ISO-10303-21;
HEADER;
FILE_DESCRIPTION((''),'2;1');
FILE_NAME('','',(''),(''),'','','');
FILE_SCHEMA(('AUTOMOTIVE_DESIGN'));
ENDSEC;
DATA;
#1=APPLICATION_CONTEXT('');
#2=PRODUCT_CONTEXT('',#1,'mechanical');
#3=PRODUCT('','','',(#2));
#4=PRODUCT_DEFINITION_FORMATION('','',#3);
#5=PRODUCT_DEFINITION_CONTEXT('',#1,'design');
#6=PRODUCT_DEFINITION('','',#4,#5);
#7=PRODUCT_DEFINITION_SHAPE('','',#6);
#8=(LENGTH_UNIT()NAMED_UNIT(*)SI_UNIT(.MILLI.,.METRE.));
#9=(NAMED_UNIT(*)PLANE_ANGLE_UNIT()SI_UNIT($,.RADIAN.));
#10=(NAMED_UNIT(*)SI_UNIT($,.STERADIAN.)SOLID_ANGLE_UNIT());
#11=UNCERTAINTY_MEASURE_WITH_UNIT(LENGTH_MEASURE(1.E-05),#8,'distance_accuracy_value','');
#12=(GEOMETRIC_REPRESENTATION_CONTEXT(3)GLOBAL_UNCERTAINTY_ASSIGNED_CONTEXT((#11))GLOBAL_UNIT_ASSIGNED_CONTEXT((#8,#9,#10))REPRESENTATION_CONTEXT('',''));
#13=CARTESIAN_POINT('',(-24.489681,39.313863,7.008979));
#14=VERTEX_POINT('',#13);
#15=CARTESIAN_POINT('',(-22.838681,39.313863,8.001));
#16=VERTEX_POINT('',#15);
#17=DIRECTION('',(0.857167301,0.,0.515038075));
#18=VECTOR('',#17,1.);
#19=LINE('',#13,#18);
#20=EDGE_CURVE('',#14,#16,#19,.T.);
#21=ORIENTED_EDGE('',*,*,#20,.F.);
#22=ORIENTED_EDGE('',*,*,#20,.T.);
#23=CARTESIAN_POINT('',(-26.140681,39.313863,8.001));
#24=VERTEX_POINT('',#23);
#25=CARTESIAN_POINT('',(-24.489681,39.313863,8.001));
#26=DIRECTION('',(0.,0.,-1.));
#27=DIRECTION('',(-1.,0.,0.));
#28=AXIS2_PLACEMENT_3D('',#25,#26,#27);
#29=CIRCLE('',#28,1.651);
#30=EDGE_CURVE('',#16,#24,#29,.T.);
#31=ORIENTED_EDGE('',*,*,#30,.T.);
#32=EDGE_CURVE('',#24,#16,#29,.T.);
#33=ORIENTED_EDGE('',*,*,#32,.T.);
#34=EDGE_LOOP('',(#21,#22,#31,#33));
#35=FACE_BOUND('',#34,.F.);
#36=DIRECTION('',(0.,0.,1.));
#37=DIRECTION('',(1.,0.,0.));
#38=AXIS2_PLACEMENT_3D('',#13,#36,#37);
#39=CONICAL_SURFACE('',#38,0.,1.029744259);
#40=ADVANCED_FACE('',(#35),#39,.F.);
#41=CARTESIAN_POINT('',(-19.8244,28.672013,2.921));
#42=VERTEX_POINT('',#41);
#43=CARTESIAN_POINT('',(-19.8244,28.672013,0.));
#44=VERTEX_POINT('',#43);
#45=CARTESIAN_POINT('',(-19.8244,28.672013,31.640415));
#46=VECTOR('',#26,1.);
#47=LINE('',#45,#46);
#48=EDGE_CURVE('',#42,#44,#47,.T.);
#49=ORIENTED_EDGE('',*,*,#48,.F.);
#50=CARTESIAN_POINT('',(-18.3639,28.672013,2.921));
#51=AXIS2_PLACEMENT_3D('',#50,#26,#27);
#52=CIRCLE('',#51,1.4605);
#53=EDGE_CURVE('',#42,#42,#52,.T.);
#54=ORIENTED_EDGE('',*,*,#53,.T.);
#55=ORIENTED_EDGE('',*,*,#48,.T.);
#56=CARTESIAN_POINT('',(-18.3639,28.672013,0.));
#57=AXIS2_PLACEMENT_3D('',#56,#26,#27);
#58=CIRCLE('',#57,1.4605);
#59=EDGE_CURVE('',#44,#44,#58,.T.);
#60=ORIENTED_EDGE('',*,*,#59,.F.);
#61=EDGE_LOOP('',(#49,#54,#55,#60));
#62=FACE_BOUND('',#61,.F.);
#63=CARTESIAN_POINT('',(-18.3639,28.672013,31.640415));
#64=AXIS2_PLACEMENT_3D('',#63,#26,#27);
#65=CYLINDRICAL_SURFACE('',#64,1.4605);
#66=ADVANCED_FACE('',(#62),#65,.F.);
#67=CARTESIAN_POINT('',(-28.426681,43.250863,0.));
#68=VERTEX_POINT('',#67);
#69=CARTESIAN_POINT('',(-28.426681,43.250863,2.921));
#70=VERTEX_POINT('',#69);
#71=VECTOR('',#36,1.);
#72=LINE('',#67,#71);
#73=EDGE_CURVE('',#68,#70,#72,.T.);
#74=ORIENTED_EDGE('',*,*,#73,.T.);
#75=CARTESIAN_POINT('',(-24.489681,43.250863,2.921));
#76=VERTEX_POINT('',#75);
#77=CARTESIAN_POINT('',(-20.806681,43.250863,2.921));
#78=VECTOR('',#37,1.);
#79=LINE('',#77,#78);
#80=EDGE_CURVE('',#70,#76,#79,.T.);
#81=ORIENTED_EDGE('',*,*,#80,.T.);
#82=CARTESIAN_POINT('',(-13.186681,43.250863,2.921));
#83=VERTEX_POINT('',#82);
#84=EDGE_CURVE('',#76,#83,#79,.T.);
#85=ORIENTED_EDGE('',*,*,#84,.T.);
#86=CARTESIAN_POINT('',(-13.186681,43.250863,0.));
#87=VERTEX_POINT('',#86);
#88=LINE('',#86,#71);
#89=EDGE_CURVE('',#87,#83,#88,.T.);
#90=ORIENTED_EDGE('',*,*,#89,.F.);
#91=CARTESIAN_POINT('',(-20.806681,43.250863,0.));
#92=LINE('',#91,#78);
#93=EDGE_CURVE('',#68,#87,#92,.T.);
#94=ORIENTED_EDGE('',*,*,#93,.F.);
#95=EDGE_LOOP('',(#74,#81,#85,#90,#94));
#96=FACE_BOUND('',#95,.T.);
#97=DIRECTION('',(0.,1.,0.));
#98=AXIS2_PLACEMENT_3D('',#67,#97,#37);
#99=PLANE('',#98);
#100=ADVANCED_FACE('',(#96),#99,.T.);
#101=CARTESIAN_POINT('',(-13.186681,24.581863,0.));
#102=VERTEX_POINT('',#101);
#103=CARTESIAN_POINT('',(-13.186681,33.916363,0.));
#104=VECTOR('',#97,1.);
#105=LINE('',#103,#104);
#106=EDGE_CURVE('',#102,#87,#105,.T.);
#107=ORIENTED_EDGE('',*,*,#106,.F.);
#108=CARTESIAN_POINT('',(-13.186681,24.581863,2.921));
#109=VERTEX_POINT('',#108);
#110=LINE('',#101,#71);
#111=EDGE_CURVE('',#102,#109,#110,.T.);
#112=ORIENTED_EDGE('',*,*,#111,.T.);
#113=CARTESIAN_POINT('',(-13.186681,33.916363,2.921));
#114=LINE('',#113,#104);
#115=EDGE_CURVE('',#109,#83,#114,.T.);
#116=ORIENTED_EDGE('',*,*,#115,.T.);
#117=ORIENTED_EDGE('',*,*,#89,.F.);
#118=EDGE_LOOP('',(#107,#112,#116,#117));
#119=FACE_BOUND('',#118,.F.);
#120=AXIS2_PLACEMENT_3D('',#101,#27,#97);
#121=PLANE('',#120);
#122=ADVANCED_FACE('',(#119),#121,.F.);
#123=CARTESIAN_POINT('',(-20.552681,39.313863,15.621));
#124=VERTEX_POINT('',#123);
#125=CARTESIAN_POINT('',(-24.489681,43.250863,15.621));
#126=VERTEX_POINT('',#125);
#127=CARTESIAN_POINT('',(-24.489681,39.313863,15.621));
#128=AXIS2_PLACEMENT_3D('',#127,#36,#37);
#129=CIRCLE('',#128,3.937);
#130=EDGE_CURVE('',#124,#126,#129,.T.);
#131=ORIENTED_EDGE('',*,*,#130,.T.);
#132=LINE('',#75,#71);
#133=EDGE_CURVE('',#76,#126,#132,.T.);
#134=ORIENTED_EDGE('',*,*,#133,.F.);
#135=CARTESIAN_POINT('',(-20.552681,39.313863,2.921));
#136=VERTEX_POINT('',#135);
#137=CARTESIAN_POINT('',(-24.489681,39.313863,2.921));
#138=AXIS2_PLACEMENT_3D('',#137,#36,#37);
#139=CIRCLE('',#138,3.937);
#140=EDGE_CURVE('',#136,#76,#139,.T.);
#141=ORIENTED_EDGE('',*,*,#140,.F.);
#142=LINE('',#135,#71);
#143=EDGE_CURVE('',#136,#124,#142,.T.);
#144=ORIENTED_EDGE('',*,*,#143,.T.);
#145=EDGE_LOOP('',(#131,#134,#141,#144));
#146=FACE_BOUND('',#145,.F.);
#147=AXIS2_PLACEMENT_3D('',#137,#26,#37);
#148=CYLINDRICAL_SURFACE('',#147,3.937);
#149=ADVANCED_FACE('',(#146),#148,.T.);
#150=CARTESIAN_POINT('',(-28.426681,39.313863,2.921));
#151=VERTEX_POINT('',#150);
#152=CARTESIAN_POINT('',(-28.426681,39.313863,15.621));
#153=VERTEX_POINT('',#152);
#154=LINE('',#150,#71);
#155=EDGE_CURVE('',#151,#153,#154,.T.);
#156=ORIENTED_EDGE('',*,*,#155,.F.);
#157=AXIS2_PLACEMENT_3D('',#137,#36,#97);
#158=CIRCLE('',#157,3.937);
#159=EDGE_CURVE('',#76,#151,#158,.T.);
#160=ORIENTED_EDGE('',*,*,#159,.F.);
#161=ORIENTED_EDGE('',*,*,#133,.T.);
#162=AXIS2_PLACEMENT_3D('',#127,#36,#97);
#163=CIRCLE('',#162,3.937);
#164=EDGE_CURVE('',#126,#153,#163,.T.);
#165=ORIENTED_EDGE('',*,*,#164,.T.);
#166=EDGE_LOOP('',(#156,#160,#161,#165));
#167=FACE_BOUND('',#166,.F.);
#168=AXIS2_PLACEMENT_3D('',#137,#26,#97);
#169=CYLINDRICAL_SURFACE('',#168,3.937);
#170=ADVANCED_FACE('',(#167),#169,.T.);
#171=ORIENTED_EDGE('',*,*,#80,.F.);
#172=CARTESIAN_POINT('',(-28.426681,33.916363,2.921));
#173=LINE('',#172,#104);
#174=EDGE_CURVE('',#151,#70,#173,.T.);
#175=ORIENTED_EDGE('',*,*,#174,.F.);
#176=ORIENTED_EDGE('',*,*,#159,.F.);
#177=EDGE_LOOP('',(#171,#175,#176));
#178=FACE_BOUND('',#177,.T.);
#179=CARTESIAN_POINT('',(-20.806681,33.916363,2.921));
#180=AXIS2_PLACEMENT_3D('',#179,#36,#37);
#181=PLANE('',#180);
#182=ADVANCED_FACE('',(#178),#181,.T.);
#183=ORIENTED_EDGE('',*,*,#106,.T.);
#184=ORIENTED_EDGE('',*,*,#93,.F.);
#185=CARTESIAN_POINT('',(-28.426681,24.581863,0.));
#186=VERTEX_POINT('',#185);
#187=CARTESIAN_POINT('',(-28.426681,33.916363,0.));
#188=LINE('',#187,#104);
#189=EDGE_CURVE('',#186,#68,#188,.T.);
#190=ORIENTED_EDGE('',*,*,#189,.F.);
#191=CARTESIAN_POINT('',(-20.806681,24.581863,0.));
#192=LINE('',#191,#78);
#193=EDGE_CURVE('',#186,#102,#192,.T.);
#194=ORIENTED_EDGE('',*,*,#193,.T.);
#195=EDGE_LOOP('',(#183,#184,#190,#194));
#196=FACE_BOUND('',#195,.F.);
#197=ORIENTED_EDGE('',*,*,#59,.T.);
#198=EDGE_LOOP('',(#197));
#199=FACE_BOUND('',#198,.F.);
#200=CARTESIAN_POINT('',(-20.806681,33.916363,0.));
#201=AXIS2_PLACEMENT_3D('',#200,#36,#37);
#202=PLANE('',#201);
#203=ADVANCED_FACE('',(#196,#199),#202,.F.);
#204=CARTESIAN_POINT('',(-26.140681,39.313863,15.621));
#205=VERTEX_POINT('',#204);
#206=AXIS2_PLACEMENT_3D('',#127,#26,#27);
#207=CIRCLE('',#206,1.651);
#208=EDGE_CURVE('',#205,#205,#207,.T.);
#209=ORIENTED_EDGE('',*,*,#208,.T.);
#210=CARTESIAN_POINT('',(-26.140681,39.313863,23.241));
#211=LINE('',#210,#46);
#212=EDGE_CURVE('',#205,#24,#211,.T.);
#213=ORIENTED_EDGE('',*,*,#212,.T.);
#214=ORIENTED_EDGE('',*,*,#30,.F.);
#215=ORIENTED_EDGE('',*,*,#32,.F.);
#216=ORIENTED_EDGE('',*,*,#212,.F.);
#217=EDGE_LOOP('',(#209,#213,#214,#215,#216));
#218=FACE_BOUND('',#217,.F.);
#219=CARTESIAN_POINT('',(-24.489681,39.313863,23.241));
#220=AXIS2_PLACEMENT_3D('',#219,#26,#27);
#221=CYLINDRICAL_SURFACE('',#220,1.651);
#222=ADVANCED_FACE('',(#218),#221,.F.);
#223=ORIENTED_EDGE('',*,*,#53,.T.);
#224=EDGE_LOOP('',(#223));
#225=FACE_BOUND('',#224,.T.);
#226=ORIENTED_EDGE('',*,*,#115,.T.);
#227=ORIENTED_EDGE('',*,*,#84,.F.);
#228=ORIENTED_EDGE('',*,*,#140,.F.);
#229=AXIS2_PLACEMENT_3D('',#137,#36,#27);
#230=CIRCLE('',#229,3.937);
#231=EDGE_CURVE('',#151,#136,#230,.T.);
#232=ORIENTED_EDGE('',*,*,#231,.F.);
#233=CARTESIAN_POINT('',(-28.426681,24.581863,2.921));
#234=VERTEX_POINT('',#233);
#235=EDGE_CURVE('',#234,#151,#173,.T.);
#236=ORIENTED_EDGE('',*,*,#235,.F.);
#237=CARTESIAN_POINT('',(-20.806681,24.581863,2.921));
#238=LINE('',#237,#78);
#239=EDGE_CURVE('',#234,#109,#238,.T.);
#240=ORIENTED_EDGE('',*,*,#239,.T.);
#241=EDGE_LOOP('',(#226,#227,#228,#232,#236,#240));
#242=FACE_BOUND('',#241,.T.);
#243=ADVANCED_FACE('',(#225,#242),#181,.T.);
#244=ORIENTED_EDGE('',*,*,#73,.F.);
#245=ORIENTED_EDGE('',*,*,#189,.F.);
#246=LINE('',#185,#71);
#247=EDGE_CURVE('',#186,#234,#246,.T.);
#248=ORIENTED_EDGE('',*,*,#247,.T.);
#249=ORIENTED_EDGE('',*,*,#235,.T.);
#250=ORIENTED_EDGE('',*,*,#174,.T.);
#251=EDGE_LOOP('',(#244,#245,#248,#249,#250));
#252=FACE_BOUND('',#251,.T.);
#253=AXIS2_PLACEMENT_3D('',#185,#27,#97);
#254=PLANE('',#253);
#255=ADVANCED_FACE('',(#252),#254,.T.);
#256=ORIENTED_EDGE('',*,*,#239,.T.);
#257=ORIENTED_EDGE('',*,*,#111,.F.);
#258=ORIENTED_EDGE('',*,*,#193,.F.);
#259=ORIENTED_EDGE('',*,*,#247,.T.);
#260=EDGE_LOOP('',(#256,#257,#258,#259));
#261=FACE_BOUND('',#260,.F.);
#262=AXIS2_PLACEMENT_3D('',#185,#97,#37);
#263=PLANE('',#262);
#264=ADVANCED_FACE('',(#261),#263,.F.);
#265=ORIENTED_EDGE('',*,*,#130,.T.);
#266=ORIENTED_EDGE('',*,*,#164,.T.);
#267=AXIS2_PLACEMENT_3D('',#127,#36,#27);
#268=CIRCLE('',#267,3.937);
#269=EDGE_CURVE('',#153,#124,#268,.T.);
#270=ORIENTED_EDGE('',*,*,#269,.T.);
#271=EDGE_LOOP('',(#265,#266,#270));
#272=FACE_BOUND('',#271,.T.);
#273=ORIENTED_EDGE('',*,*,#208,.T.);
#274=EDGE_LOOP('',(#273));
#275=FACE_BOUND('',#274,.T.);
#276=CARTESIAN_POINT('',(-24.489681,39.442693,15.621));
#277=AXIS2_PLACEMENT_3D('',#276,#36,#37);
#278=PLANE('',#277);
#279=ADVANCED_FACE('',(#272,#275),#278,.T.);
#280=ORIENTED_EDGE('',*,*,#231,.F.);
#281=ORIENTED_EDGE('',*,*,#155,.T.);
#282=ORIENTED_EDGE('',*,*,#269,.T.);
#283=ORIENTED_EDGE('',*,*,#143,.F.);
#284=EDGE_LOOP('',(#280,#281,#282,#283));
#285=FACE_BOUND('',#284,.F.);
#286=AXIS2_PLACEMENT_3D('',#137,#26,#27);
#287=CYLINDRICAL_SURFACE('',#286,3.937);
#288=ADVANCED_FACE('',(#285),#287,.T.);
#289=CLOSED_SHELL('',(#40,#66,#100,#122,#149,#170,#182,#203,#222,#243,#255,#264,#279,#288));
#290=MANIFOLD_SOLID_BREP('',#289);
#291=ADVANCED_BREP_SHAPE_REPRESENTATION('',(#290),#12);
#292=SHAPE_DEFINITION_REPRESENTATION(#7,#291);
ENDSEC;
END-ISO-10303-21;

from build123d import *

# Parameters (mm, degrees)
F0_W     = 15.24
F0_H     = 18.669
F1_DEPTH = 2.921
F3_DEPTH = 12.7
F5_D     = 3.302
F5_DEPTH = 7.62
F5_TIP   = 0.992020882
F7_D     = 2.921


with BuildPart() as f1:
    # F0 (on Top) → F1 (new body)
    with BuildSketch(Plane.XY):
        with Locations((-20.8066811628, 33.9163625899)):
            Rectangle(F0_W, F0_H)
    extrude(amount=F1_DEPTH)

    # F2 (on face) → F3 (join)
    with BuildSketch(Plane.XY.offset(2.921)):
        with BuildLine():
            ThreePointArc((-28.4266811628, 39.3138625899), (-24.4896811628, 35.3768625899), (-20.5526811628, 39.3138625899))
            ThreePointArc((-20.5526811628, 39.3138625899), (-21.7058017653, 42.0977419874), (-24.4896811628, 43.2508625899))
            ThreePointArc((-24.4896811628, 43.2508625899), (-27.2735605603, 42.0977419874), (-28.4266811628, 39.3138625899))
        make_face()
    extrude(amount=F3_DEPTH)

    # F5
    with Locations(Plane.XY.offset(15.621)):
        with Locations((-24.4896811628, 39.3138625899)):
            Hole(F5_D / 2, depth=F5_DEPTH)
            with Locations((0, 0, -(F5_DEPTH + F5_TIP / 2))):  # 118° drill point
                Cone(0, F5_D / 2, F5_TIP, mode=Mode.SUBTRACT)

    # F7 (through all)
    with Locations(Plane.XY.offset(2.921)):
        with Locations((-18.3639004827, 28.6720134318)):
            Hole(F7_D / 2)


solid = f1.part
